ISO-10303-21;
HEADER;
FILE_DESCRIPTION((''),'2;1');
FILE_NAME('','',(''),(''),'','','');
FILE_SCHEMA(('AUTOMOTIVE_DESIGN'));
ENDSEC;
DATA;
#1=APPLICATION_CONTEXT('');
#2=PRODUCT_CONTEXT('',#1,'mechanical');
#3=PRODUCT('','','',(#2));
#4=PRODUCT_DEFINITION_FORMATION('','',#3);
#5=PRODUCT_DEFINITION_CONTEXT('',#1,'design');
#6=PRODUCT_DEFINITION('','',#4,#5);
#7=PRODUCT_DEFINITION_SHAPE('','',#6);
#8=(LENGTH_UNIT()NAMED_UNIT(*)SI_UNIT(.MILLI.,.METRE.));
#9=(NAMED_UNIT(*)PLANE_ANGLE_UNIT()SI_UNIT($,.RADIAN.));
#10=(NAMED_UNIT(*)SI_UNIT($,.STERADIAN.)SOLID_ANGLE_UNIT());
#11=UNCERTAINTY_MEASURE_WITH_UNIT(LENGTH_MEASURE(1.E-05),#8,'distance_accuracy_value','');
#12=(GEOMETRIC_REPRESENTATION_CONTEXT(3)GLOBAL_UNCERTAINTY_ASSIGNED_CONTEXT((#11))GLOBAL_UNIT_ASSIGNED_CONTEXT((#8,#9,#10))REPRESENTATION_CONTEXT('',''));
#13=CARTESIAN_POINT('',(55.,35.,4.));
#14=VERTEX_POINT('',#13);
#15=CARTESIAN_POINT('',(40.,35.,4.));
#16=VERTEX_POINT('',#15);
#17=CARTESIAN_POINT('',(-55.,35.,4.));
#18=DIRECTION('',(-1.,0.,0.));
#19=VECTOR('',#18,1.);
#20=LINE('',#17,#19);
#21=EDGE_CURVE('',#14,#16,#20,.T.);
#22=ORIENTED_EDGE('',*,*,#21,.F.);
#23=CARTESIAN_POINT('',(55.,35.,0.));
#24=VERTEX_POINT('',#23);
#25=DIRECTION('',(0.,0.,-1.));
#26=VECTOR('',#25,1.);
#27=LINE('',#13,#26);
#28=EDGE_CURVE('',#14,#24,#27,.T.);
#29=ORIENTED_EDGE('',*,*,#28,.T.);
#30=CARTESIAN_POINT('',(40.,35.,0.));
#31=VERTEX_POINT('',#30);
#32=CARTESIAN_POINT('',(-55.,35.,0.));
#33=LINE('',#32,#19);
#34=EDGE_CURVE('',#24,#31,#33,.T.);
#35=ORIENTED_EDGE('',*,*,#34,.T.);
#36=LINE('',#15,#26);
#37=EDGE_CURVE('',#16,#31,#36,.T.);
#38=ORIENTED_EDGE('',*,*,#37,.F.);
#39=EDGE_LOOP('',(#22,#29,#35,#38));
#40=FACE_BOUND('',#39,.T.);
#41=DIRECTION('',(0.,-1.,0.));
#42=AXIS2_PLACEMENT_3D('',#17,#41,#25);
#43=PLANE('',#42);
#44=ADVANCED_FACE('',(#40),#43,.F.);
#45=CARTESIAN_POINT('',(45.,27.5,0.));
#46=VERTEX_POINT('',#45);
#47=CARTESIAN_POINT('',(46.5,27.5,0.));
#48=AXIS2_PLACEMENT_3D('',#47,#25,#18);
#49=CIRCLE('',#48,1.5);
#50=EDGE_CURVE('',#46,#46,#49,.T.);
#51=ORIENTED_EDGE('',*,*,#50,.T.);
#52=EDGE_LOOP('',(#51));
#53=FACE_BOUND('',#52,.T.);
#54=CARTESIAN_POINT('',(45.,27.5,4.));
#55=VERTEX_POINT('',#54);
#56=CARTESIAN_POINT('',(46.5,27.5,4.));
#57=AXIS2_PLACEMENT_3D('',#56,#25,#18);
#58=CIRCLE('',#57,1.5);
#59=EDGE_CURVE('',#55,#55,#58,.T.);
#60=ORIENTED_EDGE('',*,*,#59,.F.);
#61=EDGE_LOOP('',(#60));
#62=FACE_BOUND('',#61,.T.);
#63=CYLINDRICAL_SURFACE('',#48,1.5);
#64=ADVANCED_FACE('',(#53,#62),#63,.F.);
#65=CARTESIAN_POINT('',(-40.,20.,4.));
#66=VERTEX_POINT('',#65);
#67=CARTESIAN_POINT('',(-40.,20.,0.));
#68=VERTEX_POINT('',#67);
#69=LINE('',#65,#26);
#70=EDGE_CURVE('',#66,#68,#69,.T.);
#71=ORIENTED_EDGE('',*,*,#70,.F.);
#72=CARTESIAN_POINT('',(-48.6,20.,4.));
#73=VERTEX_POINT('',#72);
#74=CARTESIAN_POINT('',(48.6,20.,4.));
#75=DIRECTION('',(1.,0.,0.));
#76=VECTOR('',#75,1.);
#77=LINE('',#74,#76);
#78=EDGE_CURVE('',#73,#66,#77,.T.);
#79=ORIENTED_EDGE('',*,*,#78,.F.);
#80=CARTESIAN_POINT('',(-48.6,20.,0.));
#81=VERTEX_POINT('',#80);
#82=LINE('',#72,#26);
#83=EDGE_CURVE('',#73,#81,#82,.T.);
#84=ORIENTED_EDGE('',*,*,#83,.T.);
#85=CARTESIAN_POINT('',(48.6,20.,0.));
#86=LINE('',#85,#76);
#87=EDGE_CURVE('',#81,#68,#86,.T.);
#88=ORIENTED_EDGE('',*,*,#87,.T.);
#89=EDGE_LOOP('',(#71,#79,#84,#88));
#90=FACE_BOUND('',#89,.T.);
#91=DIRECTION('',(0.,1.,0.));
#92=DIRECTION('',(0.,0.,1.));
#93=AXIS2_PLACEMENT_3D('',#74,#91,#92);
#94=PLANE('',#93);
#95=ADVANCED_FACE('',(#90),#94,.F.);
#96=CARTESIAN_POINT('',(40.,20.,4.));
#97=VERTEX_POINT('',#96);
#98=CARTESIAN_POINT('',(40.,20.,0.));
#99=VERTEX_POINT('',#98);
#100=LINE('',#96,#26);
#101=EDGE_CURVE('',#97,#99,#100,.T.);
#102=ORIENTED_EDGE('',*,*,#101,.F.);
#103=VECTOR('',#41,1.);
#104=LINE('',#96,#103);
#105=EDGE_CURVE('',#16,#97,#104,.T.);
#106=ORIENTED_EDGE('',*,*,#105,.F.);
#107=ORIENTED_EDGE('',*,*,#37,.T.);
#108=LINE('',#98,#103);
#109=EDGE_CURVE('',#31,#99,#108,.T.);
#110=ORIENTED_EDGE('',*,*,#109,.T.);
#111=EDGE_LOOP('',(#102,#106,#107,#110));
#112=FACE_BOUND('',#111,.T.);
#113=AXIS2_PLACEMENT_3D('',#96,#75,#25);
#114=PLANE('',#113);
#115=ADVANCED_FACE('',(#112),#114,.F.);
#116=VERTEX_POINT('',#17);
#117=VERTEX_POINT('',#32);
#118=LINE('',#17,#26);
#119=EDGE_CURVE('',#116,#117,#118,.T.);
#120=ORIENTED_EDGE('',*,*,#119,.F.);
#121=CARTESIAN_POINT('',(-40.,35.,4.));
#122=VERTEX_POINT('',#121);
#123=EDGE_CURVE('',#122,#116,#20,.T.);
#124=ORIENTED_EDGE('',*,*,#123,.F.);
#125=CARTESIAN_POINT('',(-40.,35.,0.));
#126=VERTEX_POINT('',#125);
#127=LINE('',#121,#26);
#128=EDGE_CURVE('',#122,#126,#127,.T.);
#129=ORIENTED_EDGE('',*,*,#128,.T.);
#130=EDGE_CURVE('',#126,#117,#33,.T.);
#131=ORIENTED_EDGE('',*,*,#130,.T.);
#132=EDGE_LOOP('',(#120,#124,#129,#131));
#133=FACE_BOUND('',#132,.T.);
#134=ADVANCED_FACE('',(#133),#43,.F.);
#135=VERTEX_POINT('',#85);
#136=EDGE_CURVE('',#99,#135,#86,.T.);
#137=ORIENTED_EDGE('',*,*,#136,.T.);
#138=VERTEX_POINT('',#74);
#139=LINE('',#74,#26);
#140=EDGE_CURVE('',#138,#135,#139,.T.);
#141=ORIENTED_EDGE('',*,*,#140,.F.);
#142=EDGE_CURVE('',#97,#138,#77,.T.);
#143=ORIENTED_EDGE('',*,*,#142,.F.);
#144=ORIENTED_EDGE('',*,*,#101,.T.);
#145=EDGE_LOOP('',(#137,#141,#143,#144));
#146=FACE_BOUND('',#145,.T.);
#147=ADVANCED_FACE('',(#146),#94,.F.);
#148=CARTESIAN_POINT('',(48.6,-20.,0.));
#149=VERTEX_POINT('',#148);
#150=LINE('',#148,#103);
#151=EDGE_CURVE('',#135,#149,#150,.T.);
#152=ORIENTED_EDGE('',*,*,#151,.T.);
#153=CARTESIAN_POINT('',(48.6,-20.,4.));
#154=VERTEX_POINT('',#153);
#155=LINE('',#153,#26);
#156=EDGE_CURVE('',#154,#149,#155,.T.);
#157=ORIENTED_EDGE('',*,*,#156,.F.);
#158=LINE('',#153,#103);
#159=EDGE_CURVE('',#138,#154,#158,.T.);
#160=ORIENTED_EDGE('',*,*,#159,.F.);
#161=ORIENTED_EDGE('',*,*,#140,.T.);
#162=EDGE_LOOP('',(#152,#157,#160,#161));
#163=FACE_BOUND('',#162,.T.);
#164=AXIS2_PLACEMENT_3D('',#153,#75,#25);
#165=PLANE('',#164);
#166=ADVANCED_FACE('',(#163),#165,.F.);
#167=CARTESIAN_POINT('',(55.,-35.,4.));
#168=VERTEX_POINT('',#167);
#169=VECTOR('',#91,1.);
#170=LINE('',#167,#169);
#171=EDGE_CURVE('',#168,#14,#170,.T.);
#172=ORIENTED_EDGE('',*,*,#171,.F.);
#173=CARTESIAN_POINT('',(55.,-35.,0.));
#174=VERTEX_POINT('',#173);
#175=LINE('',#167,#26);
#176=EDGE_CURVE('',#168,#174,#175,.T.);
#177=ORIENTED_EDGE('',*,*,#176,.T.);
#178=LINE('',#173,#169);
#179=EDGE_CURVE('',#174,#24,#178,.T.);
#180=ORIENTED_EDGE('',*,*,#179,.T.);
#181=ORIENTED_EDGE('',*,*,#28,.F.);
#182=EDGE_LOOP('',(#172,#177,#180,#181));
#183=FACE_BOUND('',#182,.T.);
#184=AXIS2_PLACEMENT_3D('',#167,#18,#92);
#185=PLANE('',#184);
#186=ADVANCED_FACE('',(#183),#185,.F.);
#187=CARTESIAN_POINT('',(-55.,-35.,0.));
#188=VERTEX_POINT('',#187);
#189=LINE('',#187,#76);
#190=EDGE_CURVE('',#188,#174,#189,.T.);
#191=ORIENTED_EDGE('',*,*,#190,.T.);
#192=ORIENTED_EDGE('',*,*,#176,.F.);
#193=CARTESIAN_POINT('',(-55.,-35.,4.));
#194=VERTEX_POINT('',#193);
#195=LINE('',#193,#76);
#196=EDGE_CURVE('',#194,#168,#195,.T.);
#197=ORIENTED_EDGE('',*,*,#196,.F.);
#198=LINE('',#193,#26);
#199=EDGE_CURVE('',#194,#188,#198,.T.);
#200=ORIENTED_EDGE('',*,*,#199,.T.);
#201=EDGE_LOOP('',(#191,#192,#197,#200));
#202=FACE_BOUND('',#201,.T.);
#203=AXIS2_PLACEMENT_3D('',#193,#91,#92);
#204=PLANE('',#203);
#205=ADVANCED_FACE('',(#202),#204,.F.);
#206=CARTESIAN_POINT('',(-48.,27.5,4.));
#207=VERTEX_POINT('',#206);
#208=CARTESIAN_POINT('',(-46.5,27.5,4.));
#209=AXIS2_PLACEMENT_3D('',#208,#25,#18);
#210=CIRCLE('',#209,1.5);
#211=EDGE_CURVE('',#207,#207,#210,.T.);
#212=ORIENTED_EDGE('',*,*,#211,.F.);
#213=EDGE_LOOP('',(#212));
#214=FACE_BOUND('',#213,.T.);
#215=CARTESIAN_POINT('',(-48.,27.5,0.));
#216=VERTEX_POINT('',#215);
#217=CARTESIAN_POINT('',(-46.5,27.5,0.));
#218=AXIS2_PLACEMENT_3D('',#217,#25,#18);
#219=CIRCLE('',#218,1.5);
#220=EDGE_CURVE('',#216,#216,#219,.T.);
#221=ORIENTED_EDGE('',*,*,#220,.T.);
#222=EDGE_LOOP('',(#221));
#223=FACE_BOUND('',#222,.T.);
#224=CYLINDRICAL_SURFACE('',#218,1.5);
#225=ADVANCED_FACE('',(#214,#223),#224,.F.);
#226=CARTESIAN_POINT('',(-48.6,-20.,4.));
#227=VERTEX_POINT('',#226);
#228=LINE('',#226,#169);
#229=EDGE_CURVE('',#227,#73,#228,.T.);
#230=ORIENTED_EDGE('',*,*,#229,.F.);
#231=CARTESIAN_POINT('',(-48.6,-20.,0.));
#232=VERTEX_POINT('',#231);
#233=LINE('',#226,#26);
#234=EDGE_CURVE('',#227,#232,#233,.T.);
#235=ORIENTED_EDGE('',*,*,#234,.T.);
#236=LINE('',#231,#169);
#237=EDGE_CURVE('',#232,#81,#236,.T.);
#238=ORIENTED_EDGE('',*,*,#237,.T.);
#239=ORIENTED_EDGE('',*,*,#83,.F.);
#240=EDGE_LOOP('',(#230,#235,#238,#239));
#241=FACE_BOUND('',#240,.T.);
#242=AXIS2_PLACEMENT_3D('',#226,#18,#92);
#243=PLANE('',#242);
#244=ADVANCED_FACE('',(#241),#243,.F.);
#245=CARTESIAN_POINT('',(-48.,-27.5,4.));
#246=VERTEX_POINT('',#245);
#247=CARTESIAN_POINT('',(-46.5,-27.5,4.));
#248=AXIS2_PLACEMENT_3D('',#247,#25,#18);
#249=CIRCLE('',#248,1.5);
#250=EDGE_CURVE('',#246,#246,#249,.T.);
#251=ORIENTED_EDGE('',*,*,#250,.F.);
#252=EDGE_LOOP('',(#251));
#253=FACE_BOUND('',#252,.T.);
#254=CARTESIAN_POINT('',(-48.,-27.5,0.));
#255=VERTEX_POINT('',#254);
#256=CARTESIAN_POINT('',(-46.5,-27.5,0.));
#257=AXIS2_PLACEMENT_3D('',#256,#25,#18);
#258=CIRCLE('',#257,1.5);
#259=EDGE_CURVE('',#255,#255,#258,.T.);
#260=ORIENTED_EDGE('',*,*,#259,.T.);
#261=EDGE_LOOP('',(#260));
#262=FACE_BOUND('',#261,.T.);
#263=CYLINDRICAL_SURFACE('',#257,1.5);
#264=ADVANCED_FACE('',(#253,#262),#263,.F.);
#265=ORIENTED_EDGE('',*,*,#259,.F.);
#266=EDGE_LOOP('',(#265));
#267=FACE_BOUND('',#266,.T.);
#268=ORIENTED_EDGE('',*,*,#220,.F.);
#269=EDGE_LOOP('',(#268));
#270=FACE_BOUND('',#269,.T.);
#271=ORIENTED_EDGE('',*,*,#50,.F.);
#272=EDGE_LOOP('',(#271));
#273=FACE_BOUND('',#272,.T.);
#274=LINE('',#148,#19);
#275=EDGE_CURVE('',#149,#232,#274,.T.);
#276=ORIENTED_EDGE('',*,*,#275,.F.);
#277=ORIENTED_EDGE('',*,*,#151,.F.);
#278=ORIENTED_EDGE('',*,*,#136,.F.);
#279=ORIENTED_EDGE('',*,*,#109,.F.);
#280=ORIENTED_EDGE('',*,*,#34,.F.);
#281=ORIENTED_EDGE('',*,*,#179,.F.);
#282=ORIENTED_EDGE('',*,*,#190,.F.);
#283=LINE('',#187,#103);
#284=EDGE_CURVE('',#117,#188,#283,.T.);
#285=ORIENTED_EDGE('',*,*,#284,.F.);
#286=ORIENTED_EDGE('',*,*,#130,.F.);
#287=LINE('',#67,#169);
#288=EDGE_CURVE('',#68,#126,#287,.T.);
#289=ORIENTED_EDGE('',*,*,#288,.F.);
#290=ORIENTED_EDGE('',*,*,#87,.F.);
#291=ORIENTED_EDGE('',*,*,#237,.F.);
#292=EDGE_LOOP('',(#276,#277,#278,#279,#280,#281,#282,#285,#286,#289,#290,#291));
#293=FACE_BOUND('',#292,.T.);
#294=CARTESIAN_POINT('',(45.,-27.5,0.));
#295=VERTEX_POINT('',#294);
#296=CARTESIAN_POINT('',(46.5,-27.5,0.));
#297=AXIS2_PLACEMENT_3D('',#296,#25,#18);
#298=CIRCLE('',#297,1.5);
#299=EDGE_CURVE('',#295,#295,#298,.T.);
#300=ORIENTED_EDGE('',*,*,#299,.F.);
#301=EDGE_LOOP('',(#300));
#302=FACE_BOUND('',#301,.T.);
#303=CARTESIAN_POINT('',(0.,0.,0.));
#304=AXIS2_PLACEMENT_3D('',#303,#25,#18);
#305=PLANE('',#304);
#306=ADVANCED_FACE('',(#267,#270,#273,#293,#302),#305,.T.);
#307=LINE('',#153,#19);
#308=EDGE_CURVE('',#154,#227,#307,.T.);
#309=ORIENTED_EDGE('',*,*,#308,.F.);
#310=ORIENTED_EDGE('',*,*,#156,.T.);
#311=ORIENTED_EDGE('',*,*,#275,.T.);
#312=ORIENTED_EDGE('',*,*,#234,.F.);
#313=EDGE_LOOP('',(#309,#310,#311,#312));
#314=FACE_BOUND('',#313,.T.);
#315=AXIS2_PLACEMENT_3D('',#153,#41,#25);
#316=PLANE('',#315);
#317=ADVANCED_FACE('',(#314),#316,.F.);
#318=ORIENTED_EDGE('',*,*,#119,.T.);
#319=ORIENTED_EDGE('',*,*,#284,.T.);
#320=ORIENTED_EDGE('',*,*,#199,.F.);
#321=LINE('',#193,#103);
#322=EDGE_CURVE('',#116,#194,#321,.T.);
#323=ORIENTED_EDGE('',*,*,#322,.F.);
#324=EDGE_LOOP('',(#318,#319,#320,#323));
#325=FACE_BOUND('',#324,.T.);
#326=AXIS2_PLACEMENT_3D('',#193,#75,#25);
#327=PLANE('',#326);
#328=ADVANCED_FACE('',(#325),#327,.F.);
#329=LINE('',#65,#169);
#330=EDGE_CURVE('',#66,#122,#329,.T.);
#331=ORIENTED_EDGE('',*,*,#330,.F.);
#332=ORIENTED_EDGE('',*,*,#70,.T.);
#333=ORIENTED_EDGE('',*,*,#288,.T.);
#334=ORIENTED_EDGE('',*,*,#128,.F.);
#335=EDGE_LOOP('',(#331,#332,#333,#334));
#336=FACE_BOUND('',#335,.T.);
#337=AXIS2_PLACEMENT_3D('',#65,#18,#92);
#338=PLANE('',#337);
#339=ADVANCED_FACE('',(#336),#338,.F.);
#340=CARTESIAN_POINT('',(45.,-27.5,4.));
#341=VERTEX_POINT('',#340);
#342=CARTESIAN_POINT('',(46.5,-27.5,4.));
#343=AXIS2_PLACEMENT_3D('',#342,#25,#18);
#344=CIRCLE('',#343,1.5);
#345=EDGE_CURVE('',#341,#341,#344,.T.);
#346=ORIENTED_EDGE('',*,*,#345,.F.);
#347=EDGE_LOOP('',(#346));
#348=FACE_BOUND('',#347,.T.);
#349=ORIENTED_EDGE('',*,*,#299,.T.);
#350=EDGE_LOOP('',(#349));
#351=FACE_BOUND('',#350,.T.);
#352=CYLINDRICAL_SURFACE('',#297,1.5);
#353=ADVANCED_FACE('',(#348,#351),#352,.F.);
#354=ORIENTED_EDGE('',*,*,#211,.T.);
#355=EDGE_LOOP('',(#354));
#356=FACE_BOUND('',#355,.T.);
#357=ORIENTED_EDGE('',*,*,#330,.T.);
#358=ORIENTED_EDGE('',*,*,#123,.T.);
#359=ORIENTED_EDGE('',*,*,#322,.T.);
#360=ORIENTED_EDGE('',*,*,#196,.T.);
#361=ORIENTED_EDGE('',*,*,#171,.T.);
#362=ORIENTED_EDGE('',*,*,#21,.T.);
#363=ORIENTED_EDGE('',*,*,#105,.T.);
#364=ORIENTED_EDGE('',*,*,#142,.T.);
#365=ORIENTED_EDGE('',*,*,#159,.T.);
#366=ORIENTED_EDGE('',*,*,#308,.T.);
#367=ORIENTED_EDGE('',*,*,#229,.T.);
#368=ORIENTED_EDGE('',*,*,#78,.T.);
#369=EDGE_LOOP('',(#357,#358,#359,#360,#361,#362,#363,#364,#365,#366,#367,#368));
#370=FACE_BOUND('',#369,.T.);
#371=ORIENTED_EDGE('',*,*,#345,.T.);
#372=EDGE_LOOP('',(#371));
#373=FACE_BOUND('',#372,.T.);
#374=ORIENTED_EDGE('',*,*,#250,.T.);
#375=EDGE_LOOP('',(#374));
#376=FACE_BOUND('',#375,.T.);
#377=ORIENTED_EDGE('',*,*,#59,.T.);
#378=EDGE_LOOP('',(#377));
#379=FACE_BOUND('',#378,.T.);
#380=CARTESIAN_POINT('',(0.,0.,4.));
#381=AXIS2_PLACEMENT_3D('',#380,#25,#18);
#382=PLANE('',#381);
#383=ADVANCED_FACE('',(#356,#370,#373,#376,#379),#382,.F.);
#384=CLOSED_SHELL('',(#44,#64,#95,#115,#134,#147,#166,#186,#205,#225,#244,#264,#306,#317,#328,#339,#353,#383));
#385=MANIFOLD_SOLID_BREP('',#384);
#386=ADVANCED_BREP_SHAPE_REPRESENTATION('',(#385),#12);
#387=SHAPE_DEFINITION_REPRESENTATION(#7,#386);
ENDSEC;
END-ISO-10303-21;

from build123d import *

# Parameters (mm, degrees)
SKETCH1_W             = 110
SKETCH1_H             = 70
PLATE_DEPTH           = 4
SKETCH2_W             = 97.2
SKETCH2_H             = 40
SCREEN_HOLE_DEPTH     = 66.314623171
F_3_0MM_DOWEL_HOLE1_D = 3
SKETCH6_W             = 80
SKETCH6_H             = 15
CUT_EXTRUDE1_DEPTH    = 66.314623171


with BuildPart() as part:
    # Sketch1 → Plate (new body)
    with BuildSketch(Plane.XY):
        Rectangle(SKETCH1_W, SKETCH1_H)
    extrude(amount=PLATE_DEPTH)

    # Sketch2 → Screen hole (cut, through all)
    with BuildSketch(Plane(origin=(0, 0, 0), x_dir=(-1, 0, 0), z_dir=(0, 0, -1))):
        Rectangle(SKETCH2_W, SKETCH2_H)
    extrude(amount=-SCREEN_HOLE_DEPTH, mode=Mode.SUBTRACT)

    # Ø3.0mm Dowel Hole1 (through all)
    with Locations(Plane(origin=(46.5, 27.5, 0), x_dir=(-1, 0, 0), z_dir=(0, 0, -1))):
        with Locations((0, 0), (93, 0), (93, -55), (0, -55)):
            Hole(F_3_0MM_DOWEL_HOLE1_D / 2)

    # Sketch6 → Cut-Extrude1 (cut, through all)
    with BuildSketch(Plane(origin=(0, 0, 0), x_dir=(-1, 0, 0), z_dir=(0, 0, -1))):
        with Locations((0, 27.5)):
            Rectangle(SKETCH6_W, SKETCH6_H)
    extrude(amount=-CUT_EXTRUDE1_DEPTH, mode=Mode.SUBTRACT)


solid = part.part
